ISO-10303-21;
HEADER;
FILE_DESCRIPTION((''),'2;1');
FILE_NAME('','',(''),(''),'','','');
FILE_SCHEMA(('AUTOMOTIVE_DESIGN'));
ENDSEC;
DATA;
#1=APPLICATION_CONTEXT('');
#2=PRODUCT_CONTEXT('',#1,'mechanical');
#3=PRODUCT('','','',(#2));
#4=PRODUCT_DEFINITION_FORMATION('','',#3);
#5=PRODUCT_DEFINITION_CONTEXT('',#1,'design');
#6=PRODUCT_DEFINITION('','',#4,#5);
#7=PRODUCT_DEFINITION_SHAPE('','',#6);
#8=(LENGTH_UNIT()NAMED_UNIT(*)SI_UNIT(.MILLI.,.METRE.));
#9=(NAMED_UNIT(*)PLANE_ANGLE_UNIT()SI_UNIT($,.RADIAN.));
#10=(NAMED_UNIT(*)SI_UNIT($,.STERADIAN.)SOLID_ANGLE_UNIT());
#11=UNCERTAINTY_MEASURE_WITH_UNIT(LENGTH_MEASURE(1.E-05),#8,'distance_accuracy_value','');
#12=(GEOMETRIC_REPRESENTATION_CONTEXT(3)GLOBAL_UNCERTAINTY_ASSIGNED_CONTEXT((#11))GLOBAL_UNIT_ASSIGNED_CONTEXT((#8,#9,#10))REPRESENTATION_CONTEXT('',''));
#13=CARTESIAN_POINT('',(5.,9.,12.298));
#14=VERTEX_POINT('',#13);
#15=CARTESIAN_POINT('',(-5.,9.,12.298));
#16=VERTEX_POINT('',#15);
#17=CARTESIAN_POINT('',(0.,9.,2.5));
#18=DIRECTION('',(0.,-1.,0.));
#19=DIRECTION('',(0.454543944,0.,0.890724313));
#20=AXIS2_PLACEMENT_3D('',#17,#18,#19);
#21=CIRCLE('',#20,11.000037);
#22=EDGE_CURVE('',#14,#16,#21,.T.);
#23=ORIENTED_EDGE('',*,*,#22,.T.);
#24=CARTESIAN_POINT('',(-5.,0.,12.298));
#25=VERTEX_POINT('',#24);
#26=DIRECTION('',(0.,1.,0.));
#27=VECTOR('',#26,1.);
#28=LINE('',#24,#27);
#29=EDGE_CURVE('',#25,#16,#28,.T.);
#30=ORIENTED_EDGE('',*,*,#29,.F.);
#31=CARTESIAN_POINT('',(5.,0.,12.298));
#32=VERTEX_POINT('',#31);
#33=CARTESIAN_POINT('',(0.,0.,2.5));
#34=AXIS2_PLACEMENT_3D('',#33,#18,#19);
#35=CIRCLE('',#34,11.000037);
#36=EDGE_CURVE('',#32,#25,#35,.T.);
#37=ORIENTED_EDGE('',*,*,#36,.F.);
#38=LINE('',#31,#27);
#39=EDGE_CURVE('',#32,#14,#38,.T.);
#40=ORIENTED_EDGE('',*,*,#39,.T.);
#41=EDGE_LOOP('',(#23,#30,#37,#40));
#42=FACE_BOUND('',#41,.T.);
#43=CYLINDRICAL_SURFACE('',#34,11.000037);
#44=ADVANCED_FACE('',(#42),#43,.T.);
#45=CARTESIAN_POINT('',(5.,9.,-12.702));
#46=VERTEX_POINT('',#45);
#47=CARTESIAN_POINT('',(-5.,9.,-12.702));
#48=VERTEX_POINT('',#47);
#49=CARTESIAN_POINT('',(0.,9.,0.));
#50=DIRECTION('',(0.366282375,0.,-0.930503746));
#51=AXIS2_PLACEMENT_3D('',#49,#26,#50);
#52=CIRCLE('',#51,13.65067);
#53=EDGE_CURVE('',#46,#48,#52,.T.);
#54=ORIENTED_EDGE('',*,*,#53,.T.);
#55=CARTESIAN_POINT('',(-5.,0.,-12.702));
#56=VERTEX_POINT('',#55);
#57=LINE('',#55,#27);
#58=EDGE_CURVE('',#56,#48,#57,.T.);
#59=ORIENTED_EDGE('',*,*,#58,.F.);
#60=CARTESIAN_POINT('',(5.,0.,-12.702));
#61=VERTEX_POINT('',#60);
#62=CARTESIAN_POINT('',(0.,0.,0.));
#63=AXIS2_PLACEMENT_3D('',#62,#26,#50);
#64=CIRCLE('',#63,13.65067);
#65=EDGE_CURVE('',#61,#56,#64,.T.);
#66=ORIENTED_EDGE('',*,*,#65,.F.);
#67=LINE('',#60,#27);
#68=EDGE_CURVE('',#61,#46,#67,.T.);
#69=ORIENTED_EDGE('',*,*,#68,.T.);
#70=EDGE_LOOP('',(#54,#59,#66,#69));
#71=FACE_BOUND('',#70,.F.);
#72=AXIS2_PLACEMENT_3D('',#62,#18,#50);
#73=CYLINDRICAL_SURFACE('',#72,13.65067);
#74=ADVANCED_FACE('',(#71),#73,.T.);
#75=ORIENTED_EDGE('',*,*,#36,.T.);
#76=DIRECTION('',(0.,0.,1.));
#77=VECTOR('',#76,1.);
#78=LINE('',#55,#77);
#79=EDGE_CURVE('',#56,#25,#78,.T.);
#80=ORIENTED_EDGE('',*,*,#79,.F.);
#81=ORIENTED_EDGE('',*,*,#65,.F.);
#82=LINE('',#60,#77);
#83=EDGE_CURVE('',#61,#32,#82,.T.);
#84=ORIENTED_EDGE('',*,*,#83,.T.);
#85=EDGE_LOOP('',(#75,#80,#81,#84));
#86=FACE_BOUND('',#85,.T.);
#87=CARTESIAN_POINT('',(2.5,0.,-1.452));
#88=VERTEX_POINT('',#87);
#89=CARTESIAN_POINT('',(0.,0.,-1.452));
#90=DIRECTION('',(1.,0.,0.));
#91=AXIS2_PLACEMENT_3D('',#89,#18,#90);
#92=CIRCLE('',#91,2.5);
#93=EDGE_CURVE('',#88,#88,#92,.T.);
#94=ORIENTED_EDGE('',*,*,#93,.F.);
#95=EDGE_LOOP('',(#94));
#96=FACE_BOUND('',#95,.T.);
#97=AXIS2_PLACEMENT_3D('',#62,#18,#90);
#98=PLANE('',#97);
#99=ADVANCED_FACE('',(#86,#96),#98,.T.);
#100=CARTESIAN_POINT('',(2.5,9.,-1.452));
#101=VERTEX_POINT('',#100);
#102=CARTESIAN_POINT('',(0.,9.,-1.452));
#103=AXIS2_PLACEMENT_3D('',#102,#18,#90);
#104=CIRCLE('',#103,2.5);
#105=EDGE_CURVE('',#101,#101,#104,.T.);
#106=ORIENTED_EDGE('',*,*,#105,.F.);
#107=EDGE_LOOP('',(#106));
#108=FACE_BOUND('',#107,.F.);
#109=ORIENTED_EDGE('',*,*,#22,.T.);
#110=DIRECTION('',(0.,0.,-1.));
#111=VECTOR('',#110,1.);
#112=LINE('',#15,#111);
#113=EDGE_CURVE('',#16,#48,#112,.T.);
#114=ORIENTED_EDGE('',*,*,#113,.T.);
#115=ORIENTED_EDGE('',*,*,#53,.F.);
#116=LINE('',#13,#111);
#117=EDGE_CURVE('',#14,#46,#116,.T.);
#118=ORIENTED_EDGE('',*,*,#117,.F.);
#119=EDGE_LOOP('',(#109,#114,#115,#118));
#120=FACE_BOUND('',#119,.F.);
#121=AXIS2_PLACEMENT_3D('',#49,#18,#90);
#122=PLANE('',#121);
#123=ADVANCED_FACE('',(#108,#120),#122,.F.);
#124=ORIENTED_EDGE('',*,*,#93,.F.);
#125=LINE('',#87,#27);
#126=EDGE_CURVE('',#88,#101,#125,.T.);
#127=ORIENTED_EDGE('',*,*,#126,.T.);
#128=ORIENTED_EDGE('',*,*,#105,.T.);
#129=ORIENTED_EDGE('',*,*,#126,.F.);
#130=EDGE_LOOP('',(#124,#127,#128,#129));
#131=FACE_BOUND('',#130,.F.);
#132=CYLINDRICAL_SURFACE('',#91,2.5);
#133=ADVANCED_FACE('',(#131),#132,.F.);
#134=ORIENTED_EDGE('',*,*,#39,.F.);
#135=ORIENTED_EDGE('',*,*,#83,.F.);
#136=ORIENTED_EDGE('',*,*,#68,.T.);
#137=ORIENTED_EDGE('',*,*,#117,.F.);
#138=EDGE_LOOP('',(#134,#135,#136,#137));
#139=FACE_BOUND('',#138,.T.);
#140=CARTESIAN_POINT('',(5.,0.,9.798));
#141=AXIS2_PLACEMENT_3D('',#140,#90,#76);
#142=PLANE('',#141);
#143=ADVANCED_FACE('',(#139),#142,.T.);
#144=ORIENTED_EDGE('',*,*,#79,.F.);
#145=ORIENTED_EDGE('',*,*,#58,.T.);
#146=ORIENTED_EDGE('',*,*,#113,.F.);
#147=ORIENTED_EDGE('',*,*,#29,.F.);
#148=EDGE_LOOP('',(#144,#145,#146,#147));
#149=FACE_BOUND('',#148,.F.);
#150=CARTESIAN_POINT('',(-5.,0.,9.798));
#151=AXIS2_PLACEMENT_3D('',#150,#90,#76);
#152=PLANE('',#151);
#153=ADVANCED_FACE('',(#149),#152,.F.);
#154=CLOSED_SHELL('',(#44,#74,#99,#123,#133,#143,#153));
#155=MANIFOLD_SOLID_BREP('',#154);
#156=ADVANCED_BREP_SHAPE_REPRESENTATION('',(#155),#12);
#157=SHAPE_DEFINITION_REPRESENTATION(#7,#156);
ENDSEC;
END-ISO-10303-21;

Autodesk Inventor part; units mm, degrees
ref_plane "YZ Plane" through (0, 0, 0) normal (1, 0, 0) x (0, 1, 0)
ref_plane "XZ Plane" through (0, 0, 0) normal (0, 1, 0) x (-1, 0, 0)
ref_plane "XY Plane" through (0, 0, 0) normal (0, 0, 1) x (1, 0, 0)
sketch "Sketch1" plane through (0, 0, 0) normal (0, 1, 0) x (-1, 0, 0)
  line L0 (0, 0) -> (5, 0)
  line L1 (5, 0) -> (5, 9.798)
  line L2 (5, 0) -> (5, -12.702)
  line L3 (-5, -12.702) -> (-5, 9.798)
  arc A0 (5, 9.798) -> (-5, 9.798) centre (0, 0) ccw
  arc A1 (-5, -12.702) -> (5, -12.702) centre (0, 0) ccw
  dimension "d1" = 5
  dimension "d7" = 22.5
  dimension "d12" = 9.798
extrude "Extrusion1" add sketch "Sketch1" along normal blind 9
sketch "Sketch2" plane through (0, 0, 0) normal (0, -1, 0) x (1, 0, 0)
  line L0 (-5, -12.702) -> (-5, 9.798) projected
  line L1 (-5, -12.702) -> (-5, -1.452)
  circle A0 centre (0, -1.452) radius 2.5
  point P0 (0, 0)
  dimension "d8" = 11.25
  dimension "d9" = 5
extrude "Extrusion3" cut sketch "Sketch2" against normal blind 9
sketch "Sketch3" plane through (0, 0, 0) normal (0, -1, 0) x (1, 0, 0)
  line L0 (-5, -12.702) -> (-5, 9.798) projected
  line L1 (-5, 9.798) -> (-5, 12.298)
  line L2 (5, 9.798) -> (5, -12.702) projected
  line L3 (5, 9.798) -> (5, 12.298)
  arc A0 (5, 12.298) -> (-5, 12.298) centre (0, 2.5) ccw
  arc A1 (5, 9.798) -> (-5, 9.798) centre (0, 0) ccw projected
  arc A2 (5, 9.798) -> (-5, 9.798) centre (0, 0) ccw
  dimension "d13" = 2.5
  dimension "d14" = 2.5
  dimension "d15" = 11
extrude "Extrusion4" add sketch "Sketch3" against normal blind 9
properties part number "sHUFFLE"
